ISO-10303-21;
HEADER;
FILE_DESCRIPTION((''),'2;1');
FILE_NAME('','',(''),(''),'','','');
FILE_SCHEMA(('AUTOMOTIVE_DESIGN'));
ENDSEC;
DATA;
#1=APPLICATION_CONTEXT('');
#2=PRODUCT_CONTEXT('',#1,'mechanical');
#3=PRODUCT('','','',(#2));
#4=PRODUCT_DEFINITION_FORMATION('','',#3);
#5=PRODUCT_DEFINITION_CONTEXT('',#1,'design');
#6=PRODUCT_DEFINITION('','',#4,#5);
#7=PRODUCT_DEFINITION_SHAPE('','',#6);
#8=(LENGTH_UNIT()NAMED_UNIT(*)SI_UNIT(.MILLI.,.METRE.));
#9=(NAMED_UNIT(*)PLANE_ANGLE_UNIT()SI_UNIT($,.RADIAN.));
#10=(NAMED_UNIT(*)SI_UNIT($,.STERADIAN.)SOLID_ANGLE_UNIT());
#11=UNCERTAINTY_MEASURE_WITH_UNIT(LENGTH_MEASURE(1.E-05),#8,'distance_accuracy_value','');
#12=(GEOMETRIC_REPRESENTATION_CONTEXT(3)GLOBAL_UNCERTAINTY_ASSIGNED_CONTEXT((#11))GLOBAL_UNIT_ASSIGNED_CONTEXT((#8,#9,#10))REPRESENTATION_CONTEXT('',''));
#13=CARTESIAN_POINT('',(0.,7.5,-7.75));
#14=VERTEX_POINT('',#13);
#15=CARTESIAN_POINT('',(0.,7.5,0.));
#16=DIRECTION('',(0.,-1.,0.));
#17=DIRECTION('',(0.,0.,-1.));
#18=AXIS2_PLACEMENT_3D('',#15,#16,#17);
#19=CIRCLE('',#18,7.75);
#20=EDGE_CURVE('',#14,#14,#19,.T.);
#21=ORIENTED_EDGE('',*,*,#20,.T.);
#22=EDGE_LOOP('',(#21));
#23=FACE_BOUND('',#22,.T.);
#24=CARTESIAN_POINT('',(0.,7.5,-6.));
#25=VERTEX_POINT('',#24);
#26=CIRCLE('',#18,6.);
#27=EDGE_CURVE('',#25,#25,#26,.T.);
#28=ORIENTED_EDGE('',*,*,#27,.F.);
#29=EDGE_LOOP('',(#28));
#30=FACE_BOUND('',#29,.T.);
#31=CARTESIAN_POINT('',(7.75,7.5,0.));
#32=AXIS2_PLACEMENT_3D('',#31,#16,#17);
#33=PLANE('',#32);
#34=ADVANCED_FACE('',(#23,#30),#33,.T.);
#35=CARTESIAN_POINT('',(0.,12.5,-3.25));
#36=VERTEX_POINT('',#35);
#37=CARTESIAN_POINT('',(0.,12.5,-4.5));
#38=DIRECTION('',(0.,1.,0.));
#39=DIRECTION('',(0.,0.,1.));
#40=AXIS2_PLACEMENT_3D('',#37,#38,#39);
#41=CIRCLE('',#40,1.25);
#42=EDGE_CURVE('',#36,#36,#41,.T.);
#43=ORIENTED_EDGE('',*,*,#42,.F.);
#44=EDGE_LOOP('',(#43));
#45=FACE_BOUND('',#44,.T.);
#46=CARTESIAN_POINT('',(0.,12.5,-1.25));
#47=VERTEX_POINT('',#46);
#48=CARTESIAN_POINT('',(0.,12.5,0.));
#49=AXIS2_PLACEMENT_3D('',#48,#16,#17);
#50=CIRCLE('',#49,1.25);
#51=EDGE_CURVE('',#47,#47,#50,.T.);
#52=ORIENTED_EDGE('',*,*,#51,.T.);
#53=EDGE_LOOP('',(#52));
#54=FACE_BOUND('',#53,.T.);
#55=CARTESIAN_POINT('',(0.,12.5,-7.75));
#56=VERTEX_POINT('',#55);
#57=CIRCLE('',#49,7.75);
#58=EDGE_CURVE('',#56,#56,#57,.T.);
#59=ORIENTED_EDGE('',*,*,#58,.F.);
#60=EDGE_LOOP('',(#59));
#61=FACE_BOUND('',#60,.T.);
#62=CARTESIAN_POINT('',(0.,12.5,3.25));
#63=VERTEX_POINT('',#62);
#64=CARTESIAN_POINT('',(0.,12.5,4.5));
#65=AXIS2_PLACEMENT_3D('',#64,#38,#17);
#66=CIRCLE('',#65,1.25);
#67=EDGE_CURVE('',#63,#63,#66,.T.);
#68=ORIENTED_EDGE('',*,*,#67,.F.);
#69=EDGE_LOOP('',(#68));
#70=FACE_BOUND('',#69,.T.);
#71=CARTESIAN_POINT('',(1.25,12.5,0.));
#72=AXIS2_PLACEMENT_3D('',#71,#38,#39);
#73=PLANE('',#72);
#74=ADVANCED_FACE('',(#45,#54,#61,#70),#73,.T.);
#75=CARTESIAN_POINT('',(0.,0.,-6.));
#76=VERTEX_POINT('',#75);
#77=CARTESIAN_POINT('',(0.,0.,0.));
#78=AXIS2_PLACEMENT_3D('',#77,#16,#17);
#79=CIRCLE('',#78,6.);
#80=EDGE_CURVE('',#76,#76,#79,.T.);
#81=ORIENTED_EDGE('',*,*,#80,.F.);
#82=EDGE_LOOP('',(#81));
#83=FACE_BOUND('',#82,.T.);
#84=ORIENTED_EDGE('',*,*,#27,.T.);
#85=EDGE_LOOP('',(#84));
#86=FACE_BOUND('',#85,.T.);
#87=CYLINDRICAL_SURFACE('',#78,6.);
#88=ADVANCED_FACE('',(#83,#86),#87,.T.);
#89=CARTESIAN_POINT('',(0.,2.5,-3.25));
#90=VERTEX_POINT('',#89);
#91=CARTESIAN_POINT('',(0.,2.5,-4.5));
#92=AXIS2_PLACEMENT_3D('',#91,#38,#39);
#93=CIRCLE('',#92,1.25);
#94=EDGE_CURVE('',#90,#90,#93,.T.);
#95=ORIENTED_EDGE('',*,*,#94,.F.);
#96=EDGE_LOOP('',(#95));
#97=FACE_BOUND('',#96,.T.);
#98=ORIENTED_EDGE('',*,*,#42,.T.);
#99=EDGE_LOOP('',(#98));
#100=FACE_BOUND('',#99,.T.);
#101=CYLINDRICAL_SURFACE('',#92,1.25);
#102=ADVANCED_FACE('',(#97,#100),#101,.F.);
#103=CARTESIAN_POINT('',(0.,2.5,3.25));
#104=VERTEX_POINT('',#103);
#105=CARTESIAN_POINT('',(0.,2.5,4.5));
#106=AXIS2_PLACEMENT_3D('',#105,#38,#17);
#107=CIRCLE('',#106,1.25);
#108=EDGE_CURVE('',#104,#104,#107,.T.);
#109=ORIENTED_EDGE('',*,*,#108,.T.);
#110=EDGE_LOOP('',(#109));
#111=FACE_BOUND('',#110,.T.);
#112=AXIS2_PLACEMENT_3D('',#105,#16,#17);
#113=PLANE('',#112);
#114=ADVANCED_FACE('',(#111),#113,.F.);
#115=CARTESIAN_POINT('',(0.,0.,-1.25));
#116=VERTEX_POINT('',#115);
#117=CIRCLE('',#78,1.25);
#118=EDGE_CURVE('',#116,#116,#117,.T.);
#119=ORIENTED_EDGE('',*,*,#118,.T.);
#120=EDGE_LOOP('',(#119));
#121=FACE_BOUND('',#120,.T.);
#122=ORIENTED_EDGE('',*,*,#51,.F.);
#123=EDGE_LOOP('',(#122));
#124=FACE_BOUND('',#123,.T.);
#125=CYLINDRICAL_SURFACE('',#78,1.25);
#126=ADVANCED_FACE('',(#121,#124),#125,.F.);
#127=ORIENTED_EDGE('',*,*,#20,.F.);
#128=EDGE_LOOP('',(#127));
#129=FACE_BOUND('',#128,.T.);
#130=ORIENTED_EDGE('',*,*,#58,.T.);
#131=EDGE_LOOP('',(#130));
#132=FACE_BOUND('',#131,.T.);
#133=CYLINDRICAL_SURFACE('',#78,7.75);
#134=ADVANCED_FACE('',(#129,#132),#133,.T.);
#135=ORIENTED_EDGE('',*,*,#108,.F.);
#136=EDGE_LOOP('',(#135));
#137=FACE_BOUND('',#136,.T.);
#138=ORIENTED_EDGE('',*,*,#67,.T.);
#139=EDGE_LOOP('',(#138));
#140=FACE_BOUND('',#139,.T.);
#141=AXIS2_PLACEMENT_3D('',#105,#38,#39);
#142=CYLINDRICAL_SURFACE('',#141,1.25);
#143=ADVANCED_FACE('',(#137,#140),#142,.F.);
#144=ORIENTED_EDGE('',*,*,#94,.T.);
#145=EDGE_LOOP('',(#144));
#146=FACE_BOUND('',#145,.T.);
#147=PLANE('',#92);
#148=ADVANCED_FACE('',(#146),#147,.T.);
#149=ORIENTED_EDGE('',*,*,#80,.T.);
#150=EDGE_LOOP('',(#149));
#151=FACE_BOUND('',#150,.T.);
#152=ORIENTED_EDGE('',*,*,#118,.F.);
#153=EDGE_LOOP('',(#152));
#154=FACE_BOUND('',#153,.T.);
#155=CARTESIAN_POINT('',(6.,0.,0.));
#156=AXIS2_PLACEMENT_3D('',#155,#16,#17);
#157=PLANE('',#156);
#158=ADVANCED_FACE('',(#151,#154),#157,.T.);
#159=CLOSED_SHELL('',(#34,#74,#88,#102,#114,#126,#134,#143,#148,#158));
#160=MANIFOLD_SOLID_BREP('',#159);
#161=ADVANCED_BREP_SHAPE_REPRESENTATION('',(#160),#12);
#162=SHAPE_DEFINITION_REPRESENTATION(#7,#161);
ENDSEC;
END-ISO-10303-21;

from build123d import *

# Parameters (mm, degrees)
ESQUISSE2_R             = 1.25
ENL_V_MAT_EXTRU_1_DEPTH = 10


with BuildPart() as part:
    # Esquisse1 → Révolution1 (revolve)
    with BuildSketch(Plane.XY, mode=Mode.PRIVATE) as r_volution1_sk:
        Polygon((7.75, 12.5), (7.75, 7.5), (6, 7.5), (6, 0), (1.25, 0), (1.25, 12.5), align=None)
    revolve(r_volution1_sk.sketch.rotate(Axis((0, 0, 0), (0, 1, 0)), 90), axis=Axis((0, 0, 0), (0, 1, 0)))

    # Esquisse2 → Enlèv. mat.-Extru.1 (cut)
    with BuildSketch(Plane(origin=(0, 12.5, 0), x_dir=(1, 0, 0), z_dir=(0, 1, 0))):
        with Locations(Location((0, 4.5, 0), (0, 0, 270))):
            Circle(ESQUISSE2_R)
        with Locations(Location((0, -4.5, 0), (0, 0, 90))):
            Circle(ESQUISSE2_R)
    extrude(amount=-ENL_V_MAT_EXTRU_1_DEPTH, mode=Mode.SUBTRACT)


solid = part.part
